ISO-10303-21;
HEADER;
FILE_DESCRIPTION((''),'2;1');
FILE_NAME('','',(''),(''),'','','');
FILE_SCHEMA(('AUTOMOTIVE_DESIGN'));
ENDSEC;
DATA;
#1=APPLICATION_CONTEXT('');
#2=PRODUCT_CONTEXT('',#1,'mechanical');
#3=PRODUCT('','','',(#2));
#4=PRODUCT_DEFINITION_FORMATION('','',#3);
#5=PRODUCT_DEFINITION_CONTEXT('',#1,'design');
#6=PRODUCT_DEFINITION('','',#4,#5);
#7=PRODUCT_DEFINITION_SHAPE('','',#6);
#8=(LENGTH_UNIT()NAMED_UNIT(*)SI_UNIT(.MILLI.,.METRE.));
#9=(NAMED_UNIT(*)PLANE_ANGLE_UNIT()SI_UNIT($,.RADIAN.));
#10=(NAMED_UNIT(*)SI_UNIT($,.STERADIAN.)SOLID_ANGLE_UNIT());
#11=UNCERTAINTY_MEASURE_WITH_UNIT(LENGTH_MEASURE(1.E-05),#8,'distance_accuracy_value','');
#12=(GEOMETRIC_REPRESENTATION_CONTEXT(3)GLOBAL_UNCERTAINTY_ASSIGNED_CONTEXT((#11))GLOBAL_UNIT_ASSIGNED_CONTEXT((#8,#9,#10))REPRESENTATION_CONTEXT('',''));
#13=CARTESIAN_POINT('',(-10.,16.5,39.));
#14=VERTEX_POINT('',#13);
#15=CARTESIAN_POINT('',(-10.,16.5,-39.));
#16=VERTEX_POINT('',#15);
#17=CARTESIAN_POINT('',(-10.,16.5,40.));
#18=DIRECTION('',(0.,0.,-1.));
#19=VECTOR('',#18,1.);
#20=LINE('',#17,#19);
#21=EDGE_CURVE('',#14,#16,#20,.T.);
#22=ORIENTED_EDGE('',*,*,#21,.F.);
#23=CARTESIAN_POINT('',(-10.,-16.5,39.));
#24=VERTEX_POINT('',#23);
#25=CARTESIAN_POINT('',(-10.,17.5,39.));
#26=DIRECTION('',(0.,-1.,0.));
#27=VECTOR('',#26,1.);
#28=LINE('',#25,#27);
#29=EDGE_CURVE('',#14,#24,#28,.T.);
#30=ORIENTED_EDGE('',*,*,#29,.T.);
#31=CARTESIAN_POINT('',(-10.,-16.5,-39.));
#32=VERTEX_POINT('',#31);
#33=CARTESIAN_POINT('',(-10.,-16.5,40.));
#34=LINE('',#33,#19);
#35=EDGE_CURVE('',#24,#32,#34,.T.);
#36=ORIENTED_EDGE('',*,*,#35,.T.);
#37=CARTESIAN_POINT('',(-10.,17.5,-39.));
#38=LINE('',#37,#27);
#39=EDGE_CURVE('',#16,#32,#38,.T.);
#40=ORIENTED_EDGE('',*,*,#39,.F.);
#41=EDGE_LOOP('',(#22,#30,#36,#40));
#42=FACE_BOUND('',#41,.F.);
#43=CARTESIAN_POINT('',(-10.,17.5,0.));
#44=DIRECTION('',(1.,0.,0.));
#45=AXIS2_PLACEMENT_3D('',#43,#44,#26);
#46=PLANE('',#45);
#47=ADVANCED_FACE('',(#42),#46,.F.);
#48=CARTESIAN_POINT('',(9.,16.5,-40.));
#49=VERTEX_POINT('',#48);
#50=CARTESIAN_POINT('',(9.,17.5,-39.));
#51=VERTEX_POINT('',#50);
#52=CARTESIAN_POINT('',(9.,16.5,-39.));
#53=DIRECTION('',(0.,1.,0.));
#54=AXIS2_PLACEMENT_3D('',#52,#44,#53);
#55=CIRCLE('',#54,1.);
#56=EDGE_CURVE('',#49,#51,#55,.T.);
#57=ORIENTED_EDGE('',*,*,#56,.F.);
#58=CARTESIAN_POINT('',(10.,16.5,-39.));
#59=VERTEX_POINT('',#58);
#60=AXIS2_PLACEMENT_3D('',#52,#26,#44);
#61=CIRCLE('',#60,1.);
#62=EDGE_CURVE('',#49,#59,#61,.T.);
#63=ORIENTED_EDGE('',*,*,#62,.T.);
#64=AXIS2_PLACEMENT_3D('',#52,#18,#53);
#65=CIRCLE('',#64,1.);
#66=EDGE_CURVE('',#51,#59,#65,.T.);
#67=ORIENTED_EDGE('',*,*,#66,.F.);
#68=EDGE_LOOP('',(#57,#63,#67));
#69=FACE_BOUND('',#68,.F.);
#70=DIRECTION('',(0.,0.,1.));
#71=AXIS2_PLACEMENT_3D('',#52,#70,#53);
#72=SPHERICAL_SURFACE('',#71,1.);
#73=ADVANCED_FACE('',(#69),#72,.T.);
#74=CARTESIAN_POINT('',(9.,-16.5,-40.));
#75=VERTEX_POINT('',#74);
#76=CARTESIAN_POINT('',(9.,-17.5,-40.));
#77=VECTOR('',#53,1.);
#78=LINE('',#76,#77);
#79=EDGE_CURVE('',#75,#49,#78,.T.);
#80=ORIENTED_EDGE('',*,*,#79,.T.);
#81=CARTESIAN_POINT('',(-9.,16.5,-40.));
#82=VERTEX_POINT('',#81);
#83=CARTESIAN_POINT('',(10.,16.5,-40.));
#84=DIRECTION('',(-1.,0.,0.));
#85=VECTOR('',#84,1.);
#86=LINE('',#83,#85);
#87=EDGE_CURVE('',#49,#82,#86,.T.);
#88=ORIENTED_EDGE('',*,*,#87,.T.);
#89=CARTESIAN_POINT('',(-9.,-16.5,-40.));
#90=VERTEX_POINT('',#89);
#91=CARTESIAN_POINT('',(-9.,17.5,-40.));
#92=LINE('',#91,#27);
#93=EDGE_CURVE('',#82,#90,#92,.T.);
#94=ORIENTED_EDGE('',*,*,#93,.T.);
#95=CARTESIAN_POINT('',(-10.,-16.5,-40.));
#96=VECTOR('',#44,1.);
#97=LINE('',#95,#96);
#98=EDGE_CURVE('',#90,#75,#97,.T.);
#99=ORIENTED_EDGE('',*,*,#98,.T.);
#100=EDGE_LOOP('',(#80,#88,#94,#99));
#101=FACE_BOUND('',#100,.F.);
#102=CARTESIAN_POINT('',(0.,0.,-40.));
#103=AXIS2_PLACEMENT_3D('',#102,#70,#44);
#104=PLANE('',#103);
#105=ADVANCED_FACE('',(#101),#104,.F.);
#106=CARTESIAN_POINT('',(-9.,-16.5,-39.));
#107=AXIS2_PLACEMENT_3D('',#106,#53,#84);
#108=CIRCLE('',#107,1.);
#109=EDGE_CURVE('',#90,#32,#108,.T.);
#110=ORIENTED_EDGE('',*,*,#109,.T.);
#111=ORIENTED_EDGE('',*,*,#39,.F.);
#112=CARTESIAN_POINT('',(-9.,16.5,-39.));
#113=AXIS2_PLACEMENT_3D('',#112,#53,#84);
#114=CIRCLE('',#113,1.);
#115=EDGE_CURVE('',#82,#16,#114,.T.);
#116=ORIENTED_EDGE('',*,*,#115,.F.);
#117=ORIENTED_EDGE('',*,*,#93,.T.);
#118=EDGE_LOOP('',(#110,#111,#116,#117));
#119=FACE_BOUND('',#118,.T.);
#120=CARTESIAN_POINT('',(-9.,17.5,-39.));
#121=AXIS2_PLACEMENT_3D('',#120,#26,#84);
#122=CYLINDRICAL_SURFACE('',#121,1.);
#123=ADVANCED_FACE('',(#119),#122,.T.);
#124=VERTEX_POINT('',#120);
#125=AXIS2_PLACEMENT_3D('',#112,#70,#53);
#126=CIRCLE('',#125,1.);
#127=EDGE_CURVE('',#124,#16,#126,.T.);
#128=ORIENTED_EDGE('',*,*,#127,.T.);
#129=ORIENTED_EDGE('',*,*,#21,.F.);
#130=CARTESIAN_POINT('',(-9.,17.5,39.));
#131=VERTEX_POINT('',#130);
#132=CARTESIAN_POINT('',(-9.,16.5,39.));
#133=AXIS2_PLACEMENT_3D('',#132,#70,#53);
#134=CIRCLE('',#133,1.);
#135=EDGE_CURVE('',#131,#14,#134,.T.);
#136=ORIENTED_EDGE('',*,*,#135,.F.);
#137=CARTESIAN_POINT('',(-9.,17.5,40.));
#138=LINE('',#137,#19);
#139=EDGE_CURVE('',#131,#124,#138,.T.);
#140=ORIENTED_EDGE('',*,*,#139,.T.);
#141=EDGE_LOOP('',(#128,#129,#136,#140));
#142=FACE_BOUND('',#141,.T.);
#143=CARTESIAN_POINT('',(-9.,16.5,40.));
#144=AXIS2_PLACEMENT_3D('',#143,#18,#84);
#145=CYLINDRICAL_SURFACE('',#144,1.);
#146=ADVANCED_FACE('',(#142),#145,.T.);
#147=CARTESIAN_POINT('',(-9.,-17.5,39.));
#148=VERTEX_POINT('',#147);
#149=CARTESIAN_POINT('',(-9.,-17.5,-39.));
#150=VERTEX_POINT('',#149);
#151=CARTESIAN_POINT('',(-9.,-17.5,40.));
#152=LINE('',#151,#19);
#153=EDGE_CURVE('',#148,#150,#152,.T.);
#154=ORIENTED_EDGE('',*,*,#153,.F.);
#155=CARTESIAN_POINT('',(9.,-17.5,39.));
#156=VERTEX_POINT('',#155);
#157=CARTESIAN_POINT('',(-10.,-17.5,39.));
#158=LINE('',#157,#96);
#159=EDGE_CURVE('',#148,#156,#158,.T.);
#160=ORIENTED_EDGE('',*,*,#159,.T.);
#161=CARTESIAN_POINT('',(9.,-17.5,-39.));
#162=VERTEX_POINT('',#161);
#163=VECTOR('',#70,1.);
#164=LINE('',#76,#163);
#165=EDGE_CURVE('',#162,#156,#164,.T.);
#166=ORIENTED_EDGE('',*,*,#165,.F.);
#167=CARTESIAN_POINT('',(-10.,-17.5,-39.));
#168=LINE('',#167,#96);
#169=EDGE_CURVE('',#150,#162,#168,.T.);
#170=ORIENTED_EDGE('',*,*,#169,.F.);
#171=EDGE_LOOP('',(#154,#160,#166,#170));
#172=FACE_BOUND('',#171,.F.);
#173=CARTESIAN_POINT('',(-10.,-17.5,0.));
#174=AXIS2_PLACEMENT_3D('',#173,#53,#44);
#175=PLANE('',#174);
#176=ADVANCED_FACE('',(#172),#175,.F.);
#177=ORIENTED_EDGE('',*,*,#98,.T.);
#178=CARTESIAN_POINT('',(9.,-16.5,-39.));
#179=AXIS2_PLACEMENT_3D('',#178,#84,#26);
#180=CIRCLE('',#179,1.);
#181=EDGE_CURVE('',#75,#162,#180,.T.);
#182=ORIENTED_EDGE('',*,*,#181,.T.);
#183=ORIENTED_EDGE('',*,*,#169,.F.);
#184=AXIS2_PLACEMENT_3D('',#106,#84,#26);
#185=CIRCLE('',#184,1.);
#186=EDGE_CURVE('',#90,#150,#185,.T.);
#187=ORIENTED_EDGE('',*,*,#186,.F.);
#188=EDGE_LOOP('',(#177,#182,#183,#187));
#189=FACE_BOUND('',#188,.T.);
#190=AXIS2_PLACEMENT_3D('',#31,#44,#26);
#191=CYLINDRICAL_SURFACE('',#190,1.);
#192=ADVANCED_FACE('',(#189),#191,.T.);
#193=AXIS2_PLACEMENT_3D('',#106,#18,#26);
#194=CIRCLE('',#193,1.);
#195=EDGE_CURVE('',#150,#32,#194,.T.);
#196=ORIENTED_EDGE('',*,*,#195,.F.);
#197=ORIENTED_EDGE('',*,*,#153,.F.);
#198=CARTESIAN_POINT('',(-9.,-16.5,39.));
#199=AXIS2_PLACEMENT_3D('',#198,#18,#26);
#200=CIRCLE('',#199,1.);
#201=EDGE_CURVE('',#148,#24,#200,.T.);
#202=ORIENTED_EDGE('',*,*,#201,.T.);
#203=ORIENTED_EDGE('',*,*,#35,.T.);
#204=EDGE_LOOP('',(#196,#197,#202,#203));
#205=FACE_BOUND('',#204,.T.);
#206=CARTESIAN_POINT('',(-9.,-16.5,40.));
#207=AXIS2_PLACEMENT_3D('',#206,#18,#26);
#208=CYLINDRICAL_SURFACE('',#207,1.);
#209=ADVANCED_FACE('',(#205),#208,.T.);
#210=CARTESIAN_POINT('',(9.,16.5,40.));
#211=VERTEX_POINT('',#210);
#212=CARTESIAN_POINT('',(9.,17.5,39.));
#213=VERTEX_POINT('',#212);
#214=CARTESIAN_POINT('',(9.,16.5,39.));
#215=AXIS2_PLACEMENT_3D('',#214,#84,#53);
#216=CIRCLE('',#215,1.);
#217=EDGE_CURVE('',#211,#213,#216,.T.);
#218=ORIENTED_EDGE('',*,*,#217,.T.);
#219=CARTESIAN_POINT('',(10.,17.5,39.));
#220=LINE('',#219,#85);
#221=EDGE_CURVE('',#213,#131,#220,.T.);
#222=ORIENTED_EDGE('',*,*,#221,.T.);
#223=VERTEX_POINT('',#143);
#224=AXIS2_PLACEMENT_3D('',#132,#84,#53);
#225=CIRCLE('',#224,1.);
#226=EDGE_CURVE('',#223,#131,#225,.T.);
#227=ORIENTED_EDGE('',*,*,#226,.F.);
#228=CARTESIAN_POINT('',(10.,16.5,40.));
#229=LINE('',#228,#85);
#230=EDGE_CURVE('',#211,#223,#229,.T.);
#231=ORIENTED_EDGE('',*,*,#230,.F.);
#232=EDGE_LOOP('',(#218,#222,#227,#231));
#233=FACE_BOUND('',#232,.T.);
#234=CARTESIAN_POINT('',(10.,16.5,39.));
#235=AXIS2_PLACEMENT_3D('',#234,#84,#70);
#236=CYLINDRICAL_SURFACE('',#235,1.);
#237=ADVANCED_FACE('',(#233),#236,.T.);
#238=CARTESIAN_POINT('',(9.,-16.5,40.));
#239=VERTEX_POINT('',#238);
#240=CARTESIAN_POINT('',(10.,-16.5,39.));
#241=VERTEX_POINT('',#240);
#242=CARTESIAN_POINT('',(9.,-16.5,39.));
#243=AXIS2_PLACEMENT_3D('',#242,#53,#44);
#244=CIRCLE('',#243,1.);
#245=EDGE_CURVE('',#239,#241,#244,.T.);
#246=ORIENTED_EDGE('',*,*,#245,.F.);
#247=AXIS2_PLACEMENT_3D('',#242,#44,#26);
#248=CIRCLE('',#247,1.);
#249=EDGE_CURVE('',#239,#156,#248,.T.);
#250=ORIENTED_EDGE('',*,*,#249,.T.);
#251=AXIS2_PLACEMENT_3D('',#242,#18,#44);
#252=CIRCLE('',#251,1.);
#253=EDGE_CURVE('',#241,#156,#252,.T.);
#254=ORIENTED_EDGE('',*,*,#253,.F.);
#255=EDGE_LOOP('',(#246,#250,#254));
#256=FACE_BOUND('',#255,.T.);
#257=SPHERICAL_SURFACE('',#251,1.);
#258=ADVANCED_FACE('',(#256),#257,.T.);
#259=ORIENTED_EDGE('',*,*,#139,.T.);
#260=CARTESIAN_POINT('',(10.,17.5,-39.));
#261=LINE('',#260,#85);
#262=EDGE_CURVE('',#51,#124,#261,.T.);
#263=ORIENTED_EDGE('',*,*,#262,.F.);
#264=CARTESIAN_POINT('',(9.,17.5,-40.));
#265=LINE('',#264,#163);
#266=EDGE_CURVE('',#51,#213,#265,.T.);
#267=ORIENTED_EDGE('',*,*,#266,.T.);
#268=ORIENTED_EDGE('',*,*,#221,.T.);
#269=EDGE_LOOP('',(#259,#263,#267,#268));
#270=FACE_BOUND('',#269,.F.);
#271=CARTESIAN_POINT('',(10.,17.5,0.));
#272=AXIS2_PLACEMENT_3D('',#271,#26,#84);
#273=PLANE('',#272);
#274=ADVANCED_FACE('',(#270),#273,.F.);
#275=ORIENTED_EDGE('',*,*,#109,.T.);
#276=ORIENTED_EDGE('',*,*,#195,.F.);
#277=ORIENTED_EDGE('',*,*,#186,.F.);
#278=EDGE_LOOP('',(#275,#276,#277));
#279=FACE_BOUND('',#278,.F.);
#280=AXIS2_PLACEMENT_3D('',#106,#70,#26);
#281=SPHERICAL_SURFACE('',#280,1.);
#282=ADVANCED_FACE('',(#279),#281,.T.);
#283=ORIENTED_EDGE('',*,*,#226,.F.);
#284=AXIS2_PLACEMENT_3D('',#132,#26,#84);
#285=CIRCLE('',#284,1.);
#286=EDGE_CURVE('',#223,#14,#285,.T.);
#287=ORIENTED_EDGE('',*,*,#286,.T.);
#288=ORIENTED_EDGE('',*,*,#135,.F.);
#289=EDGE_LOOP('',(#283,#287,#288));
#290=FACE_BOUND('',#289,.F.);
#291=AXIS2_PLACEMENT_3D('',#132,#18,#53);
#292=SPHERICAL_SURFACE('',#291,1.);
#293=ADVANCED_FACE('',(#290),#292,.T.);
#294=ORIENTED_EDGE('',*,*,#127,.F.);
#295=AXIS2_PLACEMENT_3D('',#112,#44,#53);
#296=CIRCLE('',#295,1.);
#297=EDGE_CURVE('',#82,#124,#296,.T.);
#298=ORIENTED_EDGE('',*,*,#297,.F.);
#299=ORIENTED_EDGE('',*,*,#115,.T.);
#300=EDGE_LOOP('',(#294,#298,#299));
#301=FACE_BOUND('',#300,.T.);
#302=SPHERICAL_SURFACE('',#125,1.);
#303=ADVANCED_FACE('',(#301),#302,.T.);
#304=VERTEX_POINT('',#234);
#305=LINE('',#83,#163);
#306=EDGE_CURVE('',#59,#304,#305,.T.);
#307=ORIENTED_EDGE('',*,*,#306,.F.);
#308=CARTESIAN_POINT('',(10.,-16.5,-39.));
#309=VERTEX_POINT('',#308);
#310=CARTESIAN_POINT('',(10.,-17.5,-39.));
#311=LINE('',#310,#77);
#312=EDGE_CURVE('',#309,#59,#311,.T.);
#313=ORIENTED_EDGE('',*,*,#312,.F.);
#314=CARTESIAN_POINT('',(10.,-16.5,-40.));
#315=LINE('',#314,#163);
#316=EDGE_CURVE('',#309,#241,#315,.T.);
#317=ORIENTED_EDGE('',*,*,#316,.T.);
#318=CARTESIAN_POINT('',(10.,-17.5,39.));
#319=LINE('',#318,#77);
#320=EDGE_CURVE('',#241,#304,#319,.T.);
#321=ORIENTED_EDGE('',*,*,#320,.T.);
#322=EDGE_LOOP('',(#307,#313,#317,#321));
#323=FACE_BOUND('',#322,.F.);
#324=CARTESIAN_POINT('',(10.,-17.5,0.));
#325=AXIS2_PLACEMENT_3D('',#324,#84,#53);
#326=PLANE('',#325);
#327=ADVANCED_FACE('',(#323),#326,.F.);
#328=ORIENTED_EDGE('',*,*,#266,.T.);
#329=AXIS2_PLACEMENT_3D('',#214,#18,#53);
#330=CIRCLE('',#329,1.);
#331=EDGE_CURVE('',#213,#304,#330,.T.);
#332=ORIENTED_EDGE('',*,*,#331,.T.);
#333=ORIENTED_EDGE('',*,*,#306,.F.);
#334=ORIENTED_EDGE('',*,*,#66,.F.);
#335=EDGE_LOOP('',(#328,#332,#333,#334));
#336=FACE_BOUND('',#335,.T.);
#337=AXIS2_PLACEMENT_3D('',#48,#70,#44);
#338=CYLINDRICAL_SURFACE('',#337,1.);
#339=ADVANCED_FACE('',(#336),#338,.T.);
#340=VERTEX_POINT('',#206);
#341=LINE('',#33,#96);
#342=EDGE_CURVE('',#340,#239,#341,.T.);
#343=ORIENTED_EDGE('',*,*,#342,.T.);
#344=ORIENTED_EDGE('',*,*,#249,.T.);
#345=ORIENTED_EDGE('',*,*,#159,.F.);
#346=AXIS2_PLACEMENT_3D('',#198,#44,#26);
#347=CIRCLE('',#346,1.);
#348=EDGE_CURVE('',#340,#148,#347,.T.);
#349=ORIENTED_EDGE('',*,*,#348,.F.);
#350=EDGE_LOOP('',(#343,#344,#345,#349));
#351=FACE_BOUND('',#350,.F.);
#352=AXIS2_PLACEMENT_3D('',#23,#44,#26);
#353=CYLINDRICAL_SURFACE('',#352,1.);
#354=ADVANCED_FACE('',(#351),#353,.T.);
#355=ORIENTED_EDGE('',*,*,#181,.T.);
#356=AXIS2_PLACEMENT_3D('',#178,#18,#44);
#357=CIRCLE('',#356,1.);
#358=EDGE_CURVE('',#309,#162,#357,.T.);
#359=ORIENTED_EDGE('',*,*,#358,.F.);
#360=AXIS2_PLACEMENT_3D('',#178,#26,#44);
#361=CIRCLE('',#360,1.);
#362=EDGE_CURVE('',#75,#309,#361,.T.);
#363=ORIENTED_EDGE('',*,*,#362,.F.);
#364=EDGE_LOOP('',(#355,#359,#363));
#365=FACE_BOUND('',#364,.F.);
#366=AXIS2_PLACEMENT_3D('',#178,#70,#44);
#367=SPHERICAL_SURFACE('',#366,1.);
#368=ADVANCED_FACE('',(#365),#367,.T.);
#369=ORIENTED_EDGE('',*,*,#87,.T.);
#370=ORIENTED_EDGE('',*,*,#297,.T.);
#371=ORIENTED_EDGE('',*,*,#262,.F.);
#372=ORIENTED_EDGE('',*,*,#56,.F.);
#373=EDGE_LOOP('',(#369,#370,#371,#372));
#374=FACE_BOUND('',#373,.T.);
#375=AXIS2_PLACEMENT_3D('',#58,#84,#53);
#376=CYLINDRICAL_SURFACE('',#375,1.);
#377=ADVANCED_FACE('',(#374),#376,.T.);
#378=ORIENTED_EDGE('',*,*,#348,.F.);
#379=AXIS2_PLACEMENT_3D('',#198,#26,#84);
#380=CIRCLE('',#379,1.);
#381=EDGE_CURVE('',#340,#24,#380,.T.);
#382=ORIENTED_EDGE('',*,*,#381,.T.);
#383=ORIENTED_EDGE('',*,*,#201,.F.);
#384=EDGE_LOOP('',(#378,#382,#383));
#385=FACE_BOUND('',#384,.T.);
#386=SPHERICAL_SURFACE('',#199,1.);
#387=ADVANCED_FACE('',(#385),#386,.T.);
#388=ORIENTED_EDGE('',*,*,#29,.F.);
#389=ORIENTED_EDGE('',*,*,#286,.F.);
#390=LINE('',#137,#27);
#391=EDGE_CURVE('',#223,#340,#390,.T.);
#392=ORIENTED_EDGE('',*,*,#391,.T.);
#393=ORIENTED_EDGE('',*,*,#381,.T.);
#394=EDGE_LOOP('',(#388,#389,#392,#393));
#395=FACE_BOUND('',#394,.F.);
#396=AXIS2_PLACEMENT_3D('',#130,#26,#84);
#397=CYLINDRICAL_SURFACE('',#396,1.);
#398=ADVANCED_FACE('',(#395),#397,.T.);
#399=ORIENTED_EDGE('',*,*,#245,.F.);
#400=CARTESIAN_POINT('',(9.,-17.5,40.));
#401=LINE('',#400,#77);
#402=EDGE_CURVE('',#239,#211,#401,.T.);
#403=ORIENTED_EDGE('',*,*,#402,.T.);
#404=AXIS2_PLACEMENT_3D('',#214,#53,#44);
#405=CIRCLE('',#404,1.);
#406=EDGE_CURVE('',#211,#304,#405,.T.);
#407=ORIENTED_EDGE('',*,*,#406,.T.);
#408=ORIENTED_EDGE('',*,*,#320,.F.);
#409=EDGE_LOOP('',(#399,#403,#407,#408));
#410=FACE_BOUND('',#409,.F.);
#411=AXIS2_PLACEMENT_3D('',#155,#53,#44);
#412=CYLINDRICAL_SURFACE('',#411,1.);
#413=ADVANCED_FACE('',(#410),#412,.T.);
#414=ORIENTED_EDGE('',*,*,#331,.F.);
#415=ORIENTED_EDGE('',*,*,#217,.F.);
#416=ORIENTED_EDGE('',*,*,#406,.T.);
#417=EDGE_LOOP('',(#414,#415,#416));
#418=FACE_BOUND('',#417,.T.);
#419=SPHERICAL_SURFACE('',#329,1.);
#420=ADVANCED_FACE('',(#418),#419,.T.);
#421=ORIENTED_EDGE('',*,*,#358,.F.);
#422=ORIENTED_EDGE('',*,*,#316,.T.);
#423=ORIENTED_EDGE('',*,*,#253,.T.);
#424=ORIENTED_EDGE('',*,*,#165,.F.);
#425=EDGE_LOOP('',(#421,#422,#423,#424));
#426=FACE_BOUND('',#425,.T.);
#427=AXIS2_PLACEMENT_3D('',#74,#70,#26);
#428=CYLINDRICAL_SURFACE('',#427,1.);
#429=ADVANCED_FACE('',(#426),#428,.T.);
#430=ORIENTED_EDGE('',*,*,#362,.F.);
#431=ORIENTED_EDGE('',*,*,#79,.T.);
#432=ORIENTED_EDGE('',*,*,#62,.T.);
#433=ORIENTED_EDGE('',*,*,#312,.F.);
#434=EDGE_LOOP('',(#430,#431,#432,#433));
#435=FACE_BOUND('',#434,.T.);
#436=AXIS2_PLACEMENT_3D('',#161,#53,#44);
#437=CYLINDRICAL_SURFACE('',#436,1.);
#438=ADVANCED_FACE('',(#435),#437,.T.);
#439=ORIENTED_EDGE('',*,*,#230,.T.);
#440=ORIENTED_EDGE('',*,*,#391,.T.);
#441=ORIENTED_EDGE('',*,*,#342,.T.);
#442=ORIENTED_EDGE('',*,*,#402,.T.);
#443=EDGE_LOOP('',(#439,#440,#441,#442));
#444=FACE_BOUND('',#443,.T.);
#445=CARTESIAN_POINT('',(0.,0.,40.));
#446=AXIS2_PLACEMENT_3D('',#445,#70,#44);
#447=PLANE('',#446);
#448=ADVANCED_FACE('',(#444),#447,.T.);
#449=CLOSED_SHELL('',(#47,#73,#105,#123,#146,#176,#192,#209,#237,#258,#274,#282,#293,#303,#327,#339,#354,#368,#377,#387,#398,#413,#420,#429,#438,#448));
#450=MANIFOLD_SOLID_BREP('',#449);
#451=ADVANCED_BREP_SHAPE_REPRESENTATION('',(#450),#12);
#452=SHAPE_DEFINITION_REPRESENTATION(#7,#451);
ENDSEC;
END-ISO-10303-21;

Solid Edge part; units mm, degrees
sketch "Sketch1" plane through (0, 0, 0) normal (0, 0, 1) x (1, 0, 0)
  line L0 (-10, -17.5) -> (10, -17.5)
  line L1 (10, -17.5) -> (10, 17.5)
  line L2 (10, 17.5) -> (-10, 17.5)
  line L3 (-10, 17.5) -> (-10, -17.5)
  dimension "D1" = 35
  dimension "D2" = 20
extrude "Protrusion1" add sketch "Sketch1" along normal mid plane 80
fillet "Round_1" radius 1 12 edges at (-10, -17.5, 0) (10, -17.5, 0) (10, 17.5, 0) (-10, 17.5, 0) (0, 17.5, 40) (10, 0, 40) (0, -17.5, 40) (-10, 0, 40) (0, 17.5, -40) (10, 0, -40) (0, -17.5, -40) (-10, 0, -40)
properties material "Aluminum, 1060"
